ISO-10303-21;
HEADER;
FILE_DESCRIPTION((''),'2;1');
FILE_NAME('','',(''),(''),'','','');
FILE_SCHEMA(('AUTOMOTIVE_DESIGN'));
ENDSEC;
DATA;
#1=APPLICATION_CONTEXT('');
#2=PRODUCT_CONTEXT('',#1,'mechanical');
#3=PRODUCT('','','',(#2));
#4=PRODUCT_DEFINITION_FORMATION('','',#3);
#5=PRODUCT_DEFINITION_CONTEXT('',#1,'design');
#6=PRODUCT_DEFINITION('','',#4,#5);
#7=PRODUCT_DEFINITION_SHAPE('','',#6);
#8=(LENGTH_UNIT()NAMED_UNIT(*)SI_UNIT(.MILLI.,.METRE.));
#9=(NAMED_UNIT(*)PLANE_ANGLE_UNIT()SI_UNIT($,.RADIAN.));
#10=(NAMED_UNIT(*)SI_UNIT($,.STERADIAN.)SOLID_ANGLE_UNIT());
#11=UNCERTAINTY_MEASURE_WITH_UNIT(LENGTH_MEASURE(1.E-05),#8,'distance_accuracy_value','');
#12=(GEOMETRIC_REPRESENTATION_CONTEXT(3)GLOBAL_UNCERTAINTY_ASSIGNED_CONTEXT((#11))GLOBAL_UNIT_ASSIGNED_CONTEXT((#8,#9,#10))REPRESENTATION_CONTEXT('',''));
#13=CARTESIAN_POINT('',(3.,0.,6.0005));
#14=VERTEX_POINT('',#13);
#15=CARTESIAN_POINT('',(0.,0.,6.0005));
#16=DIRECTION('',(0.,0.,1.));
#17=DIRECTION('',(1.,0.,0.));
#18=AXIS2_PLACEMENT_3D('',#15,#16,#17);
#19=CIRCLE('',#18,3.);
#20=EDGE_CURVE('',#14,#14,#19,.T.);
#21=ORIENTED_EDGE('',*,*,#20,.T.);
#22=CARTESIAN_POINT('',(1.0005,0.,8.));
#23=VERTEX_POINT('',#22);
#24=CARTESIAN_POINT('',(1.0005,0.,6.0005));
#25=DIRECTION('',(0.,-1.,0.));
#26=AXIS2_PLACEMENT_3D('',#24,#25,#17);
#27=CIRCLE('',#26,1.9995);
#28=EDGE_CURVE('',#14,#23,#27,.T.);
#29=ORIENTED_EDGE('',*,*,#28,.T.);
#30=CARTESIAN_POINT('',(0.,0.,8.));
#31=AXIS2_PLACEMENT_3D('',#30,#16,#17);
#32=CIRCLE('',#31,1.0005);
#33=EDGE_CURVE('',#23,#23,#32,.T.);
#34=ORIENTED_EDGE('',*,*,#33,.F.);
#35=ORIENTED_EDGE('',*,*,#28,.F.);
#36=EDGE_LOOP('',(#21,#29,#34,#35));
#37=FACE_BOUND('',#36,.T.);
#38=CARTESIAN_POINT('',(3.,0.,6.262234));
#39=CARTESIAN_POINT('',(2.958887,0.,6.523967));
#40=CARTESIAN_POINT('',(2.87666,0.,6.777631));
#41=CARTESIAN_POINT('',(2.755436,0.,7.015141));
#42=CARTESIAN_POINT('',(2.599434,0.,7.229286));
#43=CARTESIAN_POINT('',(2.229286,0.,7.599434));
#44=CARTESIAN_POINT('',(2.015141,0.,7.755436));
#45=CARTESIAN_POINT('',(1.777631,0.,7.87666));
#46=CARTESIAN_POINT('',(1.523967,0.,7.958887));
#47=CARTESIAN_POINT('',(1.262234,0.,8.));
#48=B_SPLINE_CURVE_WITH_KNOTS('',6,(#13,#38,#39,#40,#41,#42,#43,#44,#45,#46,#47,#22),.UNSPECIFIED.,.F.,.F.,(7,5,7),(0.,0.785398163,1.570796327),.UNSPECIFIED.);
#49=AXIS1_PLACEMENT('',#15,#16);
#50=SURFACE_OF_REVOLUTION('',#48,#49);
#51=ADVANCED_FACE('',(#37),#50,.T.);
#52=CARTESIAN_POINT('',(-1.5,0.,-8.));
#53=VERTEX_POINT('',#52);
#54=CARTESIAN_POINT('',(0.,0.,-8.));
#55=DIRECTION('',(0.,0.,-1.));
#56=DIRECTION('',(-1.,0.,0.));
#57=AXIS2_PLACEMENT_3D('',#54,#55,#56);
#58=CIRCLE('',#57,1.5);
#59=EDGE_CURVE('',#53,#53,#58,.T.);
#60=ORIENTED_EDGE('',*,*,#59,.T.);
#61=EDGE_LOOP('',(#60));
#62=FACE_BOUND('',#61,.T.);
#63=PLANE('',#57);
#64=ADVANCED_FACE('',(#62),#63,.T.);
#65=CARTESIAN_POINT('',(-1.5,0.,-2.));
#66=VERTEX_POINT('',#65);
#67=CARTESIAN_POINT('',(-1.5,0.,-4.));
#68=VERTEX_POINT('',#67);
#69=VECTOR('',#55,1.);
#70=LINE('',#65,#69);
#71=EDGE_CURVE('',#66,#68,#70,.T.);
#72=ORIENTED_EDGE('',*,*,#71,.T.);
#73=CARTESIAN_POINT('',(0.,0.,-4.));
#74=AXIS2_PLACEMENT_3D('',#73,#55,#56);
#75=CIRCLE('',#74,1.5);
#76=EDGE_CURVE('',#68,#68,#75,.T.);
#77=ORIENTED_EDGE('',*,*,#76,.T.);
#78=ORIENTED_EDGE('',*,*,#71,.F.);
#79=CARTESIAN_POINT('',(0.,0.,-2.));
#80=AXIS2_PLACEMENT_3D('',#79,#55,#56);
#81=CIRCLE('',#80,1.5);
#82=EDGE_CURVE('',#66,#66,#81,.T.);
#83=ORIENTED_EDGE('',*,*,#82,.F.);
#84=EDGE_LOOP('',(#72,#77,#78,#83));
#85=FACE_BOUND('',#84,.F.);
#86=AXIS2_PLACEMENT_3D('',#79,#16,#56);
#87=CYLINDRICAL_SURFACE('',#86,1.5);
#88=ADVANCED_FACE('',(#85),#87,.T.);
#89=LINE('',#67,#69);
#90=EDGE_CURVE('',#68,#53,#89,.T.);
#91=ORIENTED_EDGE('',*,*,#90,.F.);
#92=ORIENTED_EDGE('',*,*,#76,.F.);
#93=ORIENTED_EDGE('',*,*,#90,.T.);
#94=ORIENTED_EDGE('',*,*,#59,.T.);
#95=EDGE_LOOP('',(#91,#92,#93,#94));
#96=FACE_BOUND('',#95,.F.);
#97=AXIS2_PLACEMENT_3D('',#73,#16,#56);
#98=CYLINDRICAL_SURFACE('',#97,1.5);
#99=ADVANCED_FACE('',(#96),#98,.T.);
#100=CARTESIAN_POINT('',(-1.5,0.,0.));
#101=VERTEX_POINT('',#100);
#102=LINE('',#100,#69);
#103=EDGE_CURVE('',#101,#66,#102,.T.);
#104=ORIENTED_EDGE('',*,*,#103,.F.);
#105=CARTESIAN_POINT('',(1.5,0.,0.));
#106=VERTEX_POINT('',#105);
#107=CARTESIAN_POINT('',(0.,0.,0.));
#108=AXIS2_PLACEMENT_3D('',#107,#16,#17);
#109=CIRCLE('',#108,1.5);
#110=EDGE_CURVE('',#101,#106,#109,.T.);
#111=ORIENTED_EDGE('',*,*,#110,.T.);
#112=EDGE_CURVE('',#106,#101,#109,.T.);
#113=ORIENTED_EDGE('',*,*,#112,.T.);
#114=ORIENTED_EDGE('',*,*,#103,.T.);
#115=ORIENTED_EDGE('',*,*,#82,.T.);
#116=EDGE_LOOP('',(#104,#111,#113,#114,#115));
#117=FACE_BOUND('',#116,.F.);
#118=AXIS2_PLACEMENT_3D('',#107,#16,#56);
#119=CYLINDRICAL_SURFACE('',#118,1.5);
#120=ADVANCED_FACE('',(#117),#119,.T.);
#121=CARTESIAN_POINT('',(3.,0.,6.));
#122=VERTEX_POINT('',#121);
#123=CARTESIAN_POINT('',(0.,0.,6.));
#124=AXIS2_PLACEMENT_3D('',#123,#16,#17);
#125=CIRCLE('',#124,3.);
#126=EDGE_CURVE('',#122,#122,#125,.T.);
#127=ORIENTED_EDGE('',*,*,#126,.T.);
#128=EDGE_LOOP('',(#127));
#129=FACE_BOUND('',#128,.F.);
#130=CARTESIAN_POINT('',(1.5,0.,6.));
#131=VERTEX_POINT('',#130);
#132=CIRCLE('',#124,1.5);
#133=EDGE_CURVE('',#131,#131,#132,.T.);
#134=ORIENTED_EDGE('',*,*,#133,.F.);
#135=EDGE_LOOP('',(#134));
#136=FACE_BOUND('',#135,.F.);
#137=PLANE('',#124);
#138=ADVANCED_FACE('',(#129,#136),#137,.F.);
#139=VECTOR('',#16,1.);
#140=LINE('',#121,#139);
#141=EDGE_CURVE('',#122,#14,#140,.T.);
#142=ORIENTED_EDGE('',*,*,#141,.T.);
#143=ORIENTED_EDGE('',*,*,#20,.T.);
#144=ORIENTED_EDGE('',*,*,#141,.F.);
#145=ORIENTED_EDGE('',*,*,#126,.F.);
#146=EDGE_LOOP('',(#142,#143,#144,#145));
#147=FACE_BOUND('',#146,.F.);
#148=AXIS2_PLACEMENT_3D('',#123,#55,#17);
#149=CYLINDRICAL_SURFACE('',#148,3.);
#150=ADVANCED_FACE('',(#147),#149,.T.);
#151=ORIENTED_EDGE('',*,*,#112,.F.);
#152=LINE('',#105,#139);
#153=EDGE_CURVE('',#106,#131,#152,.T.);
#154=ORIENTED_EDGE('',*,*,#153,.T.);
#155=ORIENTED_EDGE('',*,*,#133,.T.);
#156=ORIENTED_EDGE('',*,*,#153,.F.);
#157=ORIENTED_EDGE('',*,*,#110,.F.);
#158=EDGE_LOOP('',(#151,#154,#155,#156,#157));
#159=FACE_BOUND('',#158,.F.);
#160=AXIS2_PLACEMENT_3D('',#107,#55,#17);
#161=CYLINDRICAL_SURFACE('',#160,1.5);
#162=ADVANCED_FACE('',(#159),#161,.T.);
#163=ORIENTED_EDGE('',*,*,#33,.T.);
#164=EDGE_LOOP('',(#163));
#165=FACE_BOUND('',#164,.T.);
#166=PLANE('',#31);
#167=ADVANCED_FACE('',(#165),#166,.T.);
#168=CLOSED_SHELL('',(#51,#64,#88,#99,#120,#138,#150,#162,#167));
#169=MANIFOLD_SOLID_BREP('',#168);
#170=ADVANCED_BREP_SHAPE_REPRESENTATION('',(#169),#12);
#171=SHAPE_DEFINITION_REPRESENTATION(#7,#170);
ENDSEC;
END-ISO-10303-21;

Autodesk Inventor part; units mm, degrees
ref_plane "YZ Plane" through (0, 0, 0) normal (1, 0, 0) x (0, 1, 0)
ref_plane "XZ Plane" through (0, 0, 0) normal (0, 1, 0) x (-1, 0, 0)
ref_plane "XY Plane" through (0, 0, 0) normal (0, 0, 1) x (1, 0, 0)
sketch "スケッチ1" plane through (0, 0, 0) normal (0, 0, 1) x (1, 0, 0)
  circle A0 centre (0, 0) radius 1.5
  dimension "d0" = 3
extrude "押し出し1" add sketch "スケッチ1" along normal blind 6
sketch "スケッチ2" plane through (0, 0, 6) normal (0, 0, 1) x (1, 0, 0)
  circle A0 centre (0, 0) radius 1.5 projected
  circle A1 centre (0, 0) radius 3
  dimension "d3" = 6
extrude "押し出し2" add sketch "スケッチ2" along normal blind 2 contours A0 | A1
fillet "フィレット1" radius 2 1 edges at (-3, 0, 8)
thread "ねじ1" size "M3x0.5" class "6g" standard "ANSI Metric M Profile" full length
sketch "スケッチ3" plane through (0, 0, 0) normal (0, 0, -1) x (-1, 0, 0)
  circle A0 centre (0, 0) radius 1.5 projected
extrude "押し出し3" add sketch "スケッチ3" along normal blind 2
sketch "スケッチ4" plane through (0, 0, -2) normal (0, 0, -1) x (-1, 0, 0)
  circle A0 centre (0, 0) radius 1.5 projected
extrude "押し出し4" add sketch "スケッチ4" along normal blind 2
sketch "スケッチ5" plane through (0, 0, -4) normal (0, 0, -1) x (-1, 0, 0)
  circle A0 centre (0, 0) radius 1.5 projected
extrude "押し出し5" add sketch "スケッチ5" along normal blind 4
properties part number "SB　14mmなべネジ" material "Steel, Mild"
